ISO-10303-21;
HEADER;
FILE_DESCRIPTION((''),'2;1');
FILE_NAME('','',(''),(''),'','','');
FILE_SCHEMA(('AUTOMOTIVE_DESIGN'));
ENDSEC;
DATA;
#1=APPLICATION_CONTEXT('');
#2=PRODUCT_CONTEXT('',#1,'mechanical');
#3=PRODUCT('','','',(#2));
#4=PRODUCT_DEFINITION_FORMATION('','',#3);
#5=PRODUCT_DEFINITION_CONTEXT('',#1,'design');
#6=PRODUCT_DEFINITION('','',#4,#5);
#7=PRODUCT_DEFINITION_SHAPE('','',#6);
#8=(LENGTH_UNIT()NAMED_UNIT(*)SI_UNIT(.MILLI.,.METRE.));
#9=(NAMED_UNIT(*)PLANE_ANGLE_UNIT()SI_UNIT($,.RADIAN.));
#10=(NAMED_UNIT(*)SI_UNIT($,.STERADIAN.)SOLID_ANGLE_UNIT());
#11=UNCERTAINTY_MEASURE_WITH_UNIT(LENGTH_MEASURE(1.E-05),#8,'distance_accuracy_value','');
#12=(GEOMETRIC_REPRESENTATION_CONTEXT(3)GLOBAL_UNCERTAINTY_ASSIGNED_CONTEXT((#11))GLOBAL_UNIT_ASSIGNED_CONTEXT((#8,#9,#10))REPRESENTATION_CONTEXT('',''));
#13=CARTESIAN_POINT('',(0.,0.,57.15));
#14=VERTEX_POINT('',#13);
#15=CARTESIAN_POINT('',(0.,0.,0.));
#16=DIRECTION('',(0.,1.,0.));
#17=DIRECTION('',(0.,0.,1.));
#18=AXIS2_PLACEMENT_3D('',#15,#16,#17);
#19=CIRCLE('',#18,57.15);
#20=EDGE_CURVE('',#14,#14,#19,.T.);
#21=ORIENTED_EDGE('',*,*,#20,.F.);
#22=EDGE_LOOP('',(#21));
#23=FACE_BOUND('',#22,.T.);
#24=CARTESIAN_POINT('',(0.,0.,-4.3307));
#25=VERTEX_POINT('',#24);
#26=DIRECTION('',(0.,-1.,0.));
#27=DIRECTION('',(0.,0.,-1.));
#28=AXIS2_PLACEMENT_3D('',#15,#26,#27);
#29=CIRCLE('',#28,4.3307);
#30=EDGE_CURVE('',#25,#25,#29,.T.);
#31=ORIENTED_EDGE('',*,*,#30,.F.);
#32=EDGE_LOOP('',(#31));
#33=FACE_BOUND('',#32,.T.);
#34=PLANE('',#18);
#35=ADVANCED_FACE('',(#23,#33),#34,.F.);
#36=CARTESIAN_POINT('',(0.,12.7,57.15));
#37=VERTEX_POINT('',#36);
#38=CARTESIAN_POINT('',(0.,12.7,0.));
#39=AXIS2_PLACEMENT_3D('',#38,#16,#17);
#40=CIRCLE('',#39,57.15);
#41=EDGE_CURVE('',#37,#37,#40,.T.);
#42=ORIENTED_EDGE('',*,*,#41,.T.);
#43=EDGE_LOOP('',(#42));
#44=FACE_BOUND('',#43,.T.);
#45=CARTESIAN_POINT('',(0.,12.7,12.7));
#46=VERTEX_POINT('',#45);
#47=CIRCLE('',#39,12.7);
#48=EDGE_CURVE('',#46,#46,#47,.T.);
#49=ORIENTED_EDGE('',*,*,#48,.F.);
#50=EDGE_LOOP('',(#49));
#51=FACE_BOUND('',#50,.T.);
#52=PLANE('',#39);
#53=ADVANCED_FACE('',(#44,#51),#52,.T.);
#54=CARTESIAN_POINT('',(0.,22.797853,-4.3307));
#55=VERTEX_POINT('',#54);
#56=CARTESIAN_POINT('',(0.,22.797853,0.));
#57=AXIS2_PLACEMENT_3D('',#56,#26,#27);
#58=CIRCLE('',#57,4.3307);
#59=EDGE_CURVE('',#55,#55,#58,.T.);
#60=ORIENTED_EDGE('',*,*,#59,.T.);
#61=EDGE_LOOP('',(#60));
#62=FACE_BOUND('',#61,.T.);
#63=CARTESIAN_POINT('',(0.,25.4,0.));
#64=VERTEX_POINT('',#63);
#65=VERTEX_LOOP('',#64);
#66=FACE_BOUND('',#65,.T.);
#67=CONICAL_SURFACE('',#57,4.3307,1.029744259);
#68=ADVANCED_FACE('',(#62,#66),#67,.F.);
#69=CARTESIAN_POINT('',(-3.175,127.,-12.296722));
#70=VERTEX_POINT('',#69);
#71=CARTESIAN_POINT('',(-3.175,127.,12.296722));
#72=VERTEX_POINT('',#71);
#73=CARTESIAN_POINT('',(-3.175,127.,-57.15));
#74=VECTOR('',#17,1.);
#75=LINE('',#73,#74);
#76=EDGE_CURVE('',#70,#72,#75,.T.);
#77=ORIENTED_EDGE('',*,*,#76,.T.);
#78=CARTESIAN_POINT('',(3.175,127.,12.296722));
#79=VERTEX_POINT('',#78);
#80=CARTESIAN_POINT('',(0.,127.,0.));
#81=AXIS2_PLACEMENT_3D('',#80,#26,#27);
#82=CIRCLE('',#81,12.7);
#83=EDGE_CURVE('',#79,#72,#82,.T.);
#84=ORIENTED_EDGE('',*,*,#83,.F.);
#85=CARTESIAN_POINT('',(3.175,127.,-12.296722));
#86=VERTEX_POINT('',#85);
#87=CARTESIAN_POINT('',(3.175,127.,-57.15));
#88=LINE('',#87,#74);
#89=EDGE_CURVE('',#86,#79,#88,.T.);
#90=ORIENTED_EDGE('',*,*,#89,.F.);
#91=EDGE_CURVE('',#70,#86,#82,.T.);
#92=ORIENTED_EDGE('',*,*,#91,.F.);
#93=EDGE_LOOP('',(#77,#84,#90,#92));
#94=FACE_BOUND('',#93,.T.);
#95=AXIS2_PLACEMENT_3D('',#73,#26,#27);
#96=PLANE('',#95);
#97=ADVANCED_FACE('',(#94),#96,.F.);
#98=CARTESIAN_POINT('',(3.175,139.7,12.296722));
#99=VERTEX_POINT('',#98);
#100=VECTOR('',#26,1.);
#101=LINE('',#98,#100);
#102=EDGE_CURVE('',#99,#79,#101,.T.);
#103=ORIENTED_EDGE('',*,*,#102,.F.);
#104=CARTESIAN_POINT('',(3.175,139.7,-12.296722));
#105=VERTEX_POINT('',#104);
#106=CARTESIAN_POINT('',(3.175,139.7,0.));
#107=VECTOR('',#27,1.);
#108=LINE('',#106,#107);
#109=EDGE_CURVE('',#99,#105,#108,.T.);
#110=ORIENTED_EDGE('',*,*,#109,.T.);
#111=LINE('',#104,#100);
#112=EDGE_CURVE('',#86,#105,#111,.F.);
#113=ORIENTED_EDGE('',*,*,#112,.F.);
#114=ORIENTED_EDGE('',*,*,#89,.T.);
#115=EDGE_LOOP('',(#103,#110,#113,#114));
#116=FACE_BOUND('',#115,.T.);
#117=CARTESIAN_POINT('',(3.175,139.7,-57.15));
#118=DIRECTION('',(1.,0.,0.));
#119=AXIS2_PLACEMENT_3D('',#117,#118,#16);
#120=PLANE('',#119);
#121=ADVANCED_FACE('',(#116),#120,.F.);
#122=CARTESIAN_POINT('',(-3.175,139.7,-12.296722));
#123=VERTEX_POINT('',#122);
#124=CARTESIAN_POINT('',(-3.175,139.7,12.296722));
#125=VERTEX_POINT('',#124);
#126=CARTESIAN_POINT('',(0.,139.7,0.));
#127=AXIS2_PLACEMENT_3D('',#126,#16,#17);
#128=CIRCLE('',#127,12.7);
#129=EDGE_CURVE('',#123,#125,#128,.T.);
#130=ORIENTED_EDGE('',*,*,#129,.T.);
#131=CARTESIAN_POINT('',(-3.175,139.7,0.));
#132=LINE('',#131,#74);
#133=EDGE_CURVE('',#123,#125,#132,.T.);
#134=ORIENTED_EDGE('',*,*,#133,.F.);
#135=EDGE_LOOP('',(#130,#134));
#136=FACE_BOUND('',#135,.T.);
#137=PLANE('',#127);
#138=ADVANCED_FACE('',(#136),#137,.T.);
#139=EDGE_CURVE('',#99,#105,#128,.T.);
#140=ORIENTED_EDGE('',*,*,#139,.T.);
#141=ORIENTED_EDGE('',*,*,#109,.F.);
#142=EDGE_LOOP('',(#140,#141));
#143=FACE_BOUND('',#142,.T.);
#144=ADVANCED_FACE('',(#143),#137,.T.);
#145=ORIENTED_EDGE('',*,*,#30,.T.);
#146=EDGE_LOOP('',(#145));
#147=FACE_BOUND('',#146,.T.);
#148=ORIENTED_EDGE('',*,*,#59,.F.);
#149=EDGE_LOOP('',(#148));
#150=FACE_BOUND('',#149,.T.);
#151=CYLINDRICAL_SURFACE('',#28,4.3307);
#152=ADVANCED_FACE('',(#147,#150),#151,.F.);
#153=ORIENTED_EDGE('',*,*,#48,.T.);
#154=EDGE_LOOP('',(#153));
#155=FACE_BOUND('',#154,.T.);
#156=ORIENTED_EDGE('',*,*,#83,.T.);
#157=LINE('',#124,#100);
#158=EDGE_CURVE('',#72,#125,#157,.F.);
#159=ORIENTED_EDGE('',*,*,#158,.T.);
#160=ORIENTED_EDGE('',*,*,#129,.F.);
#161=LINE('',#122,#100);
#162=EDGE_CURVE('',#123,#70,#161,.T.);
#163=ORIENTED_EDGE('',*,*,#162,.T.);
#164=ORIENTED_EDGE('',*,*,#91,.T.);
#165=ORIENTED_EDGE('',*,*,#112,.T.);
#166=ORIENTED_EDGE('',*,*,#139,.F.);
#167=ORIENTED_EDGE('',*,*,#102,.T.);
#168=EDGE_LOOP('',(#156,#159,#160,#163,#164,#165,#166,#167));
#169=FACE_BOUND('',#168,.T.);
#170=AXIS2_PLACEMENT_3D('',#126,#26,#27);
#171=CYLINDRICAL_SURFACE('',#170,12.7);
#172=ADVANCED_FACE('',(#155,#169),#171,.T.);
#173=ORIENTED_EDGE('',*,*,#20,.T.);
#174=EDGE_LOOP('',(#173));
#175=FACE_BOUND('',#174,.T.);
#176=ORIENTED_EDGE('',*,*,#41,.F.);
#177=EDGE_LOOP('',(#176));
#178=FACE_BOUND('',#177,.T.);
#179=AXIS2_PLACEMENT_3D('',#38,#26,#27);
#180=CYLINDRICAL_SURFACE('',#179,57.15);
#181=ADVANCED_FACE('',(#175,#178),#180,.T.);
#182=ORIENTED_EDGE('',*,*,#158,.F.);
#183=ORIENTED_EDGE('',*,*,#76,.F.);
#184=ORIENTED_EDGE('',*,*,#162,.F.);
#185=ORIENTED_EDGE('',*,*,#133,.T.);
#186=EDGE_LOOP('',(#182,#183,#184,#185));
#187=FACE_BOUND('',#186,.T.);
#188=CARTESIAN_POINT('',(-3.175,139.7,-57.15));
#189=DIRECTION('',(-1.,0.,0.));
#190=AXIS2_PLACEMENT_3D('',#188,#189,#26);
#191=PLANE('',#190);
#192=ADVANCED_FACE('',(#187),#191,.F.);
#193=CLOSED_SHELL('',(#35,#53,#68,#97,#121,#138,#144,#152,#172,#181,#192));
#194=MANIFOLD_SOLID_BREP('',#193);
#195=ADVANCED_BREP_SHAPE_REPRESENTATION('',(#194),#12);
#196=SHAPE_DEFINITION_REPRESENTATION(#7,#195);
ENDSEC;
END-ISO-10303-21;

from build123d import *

# Parameters (mm, degrees)
SKETCH2_R                        = 57.15
BOSS_EXTRUDE1_DEPTH              = 12.7
SKETCH3_R                        = 12.7
BOSS_EXTRUDE2_DEPTH              = 127
CUT_EXTRUDE1_DEPTH               = 162.394965845
CUT_EXTRUDE1_DEPTH_BACK          = 162.394965845
SKETCH4_W                        = 6.35
SKETCH4_H                        = 12.7
F_5_8_0_341_DIAMETER_HOLE1_D     = 8.6614
F_5_8_0_341_DIAMETER_HOLE1_DEPTH = 22.797852917
F_5_8_0_341_DIAMETER_HOLE1_TIP   = 2.602147083


with BuildPart() as part:
    # Sketch2 → Boss-Extrude1 (new body)
    with BuildSketch(Plane(origin=(0, 0, 0), x_dir=(1, 0, 0), z_dir=(0, 1, 0))):
        with Locations(Location((0, 0, 0), (0, 0, 270))):
            Circle(SKETCH2_R)
    extrude(amount=BOSS_EXTRUDE1_DEPTH)

    # Sketch3 → Boss-Extrude2 (add)
    with BuildSketch(Plane(origin=(0, 12.7, 0), x_dir=(1, 0, 0), z_dir=(0, 1, 0))):
        with Locations(Location((0, 0, 0), (0, 0, 270))):
            Circle(SKETCH3_R)
    extrude(amount=BOSS_EXTRUDE2_DEPTH)

    # Sketch4 → Cut-Extrude1 (cut, two sides: drawn at the far end of the back side and taken through both)
    with BuildSketch(Plane.XY.offset(-CUT_EXTRUDE1_DEPTH_BACK)):
        with Locations((0, 133.35)):
            Rectangle(SKETCH4_W, SKETCH4_H)
    extrude(amount=CUT_EXTRUDE1_DEPTH + CUT_EXTRUDE1_DEPTH_BACK, mode=Mode.SUBTRACT)

    # 5/8 (0.341) Diameter Hole1
    with Locations(Plane(origin=(0, 0, 0), x_dir=(-1, 0, 0), z_dir=(0, -1, 0))):
        with Locations((0, 0)):
            Hole(F_5_8_0_341_DIAMETER_HOLE1_D / 2, depth=F_5_8_0_341_DIAMETER_HOLE1_DEPTH)
            with Locations((0, 0, -(F_5_8_0_341_DIAMETER_HOLE1_DEPTH + F_5_8_0_341_DIAMETER_HOLE1_TIP / 2))):  # 118° drill point
                Cone(0, F_5_8_0_341_DIAMETER_HOLE1_D / 2, F_5_8_0_341_DIAMETER_HOLE1_TIP, mode=Mode.SUBTRACT)


solid = part.part
